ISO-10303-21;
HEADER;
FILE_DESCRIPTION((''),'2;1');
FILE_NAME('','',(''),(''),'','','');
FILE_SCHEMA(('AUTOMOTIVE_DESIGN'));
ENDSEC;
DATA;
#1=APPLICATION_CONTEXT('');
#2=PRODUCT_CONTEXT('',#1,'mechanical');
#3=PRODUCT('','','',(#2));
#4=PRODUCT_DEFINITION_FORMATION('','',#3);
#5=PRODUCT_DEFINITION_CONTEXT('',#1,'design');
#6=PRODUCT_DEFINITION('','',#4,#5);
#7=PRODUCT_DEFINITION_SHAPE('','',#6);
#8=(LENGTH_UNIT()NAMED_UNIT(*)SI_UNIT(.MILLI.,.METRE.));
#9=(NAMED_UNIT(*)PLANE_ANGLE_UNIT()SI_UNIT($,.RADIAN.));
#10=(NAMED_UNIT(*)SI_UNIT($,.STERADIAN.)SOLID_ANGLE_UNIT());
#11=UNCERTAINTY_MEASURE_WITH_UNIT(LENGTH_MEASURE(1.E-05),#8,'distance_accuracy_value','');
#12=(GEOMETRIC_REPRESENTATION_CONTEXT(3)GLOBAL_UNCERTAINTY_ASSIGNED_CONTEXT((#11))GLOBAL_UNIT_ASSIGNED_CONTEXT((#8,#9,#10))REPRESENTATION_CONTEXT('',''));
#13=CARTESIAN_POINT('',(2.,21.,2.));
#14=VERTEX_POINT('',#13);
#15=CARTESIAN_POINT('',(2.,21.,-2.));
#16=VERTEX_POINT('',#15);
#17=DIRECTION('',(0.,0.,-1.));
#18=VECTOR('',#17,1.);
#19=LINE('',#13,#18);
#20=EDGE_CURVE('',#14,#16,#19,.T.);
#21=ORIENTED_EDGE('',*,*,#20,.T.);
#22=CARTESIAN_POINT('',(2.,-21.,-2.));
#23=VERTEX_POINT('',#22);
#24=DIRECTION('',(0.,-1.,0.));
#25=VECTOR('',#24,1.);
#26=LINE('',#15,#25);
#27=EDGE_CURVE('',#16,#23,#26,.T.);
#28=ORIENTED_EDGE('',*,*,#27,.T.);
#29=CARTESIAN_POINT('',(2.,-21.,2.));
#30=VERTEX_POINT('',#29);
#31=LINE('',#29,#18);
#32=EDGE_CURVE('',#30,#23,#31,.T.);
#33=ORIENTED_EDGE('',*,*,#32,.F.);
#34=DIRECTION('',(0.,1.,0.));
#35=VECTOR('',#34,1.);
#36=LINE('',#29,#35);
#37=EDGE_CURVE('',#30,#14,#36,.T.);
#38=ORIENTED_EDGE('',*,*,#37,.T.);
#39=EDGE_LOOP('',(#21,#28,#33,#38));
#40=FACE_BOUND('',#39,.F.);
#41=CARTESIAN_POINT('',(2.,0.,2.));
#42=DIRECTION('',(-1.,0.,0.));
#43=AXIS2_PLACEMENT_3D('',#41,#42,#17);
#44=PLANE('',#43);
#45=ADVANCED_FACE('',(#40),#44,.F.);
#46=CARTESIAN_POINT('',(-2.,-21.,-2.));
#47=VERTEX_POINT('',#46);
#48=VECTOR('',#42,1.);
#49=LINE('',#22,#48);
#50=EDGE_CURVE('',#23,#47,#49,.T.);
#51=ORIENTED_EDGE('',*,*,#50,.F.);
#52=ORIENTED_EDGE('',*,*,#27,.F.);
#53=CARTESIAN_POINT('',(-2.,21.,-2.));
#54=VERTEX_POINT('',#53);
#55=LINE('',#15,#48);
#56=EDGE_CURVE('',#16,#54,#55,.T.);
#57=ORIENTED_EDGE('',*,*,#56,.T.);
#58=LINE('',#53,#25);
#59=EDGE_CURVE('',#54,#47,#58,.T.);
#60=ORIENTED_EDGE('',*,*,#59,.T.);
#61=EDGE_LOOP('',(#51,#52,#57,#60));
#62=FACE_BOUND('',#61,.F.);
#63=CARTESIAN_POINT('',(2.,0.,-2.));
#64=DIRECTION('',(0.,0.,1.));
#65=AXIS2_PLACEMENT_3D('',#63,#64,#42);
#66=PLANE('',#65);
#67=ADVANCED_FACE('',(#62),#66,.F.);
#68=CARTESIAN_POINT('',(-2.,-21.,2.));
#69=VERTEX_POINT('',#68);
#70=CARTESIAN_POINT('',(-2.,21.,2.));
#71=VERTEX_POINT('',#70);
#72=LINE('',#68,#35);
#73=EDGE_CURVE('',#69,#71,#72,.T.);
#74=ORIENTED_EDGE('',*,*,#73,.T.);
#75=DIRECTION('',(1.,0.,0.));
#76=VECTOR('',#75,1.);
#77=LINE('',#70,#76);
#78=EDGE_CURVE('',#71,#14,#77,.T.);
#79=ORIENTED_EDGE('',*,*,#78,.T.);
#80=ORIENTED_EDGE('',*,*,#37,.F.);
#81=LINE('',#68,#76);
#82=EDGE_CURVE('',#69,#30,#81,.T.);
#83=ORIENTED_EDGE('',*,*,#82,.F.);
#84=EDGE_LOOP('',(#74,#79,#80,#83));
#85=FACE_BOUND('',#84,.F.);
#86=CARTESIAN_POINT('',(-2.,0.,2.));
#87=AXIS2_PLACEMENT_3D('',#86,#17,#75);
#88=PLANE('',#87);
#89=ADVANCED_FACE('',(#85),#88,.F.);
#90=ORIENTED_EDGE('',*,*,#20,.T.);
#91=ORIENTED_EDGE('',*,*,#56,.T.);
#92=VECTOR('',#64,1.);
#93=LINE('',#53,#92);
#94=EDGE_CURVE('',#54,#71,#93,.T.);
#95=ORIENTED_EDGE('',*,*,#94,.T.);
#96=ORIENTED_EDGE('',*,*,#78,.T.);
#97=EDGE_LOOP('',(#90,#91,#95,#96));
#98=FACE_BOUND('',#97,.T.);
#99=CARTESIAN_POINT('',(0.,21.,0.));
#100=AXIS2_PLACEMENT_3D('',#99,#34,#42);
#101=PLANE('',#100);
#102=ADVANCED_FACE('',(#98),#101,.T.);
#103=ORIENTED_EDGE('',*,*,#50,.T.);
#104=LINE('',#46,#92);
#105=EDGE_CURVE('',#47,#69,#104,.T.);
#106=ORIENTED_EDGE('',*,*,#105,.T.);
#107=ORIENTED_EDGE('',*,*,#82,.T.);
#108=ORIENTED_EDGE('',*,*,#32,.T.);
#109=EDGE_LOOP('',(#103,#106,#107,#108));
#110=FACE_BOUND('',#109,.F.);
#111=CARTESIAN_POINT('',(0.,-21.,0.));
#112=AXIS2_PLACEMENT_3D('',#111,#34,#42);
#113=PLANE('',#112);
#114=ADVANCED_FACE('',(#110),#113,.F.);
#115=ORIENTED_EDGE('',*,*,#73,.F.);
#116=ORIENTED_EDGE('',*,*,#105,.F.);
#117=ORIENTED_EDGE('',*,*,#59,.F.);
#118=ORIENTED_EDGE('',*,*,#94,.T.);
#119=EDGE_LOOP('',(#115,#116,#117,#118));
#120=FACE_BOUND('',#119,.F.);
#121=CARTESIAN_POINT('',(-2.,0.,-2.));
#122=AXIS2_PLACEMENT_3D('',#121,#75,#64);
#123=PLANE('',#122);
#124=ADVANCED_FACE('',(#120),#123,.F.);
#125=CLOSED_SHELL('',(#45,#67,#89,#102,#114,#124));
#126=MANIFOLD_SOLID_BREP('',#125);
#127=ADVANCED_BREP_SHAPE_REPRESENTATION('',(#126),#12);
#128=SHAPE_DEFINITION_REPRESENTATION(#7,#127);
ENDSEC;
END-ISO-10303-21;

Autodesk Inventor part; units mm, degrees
ref_plane "YZ Plane" through (0, 0, 0) normal (1, 0, 0) x (0, 1, 0)
ref_plane "XZ Plane" through (0, 0, 0) normal (0, 1, 0) x (-1, 0, 0)
ref_plane "XY Plane" through (0, 0, 0) normal (0, 0, 1) x (1, 0, 0)
sketch "スケッチ1" plane through (0, 0, 0) normal (0, 0, 1) x (1, 0, 0)
  point P0 (0, 0)
sketch "スケッチ2" plane through (0, 0, 0) normal (0, 1, 0) x (-1, 0, 0)
  line L0 (2, 2) -> (-2, 2)
  line L1 (-2, 2) -> (-2, -2)
  line L2 (-2, -2) -> (2, -2)
  line L3 (2, -2) -> (2, 2)
  line L4 (2, 2) -> (-2, -2) construction
  line L5 (-2, 2) -> (2, -2) construction
  point P0 (0, 0)
  dimension "d0" = 4
  dimension "d1" = 4
extrude "押し出し1" add sketch "スケッチ2" along normal mid plane 42
properties part number "loadstick"
